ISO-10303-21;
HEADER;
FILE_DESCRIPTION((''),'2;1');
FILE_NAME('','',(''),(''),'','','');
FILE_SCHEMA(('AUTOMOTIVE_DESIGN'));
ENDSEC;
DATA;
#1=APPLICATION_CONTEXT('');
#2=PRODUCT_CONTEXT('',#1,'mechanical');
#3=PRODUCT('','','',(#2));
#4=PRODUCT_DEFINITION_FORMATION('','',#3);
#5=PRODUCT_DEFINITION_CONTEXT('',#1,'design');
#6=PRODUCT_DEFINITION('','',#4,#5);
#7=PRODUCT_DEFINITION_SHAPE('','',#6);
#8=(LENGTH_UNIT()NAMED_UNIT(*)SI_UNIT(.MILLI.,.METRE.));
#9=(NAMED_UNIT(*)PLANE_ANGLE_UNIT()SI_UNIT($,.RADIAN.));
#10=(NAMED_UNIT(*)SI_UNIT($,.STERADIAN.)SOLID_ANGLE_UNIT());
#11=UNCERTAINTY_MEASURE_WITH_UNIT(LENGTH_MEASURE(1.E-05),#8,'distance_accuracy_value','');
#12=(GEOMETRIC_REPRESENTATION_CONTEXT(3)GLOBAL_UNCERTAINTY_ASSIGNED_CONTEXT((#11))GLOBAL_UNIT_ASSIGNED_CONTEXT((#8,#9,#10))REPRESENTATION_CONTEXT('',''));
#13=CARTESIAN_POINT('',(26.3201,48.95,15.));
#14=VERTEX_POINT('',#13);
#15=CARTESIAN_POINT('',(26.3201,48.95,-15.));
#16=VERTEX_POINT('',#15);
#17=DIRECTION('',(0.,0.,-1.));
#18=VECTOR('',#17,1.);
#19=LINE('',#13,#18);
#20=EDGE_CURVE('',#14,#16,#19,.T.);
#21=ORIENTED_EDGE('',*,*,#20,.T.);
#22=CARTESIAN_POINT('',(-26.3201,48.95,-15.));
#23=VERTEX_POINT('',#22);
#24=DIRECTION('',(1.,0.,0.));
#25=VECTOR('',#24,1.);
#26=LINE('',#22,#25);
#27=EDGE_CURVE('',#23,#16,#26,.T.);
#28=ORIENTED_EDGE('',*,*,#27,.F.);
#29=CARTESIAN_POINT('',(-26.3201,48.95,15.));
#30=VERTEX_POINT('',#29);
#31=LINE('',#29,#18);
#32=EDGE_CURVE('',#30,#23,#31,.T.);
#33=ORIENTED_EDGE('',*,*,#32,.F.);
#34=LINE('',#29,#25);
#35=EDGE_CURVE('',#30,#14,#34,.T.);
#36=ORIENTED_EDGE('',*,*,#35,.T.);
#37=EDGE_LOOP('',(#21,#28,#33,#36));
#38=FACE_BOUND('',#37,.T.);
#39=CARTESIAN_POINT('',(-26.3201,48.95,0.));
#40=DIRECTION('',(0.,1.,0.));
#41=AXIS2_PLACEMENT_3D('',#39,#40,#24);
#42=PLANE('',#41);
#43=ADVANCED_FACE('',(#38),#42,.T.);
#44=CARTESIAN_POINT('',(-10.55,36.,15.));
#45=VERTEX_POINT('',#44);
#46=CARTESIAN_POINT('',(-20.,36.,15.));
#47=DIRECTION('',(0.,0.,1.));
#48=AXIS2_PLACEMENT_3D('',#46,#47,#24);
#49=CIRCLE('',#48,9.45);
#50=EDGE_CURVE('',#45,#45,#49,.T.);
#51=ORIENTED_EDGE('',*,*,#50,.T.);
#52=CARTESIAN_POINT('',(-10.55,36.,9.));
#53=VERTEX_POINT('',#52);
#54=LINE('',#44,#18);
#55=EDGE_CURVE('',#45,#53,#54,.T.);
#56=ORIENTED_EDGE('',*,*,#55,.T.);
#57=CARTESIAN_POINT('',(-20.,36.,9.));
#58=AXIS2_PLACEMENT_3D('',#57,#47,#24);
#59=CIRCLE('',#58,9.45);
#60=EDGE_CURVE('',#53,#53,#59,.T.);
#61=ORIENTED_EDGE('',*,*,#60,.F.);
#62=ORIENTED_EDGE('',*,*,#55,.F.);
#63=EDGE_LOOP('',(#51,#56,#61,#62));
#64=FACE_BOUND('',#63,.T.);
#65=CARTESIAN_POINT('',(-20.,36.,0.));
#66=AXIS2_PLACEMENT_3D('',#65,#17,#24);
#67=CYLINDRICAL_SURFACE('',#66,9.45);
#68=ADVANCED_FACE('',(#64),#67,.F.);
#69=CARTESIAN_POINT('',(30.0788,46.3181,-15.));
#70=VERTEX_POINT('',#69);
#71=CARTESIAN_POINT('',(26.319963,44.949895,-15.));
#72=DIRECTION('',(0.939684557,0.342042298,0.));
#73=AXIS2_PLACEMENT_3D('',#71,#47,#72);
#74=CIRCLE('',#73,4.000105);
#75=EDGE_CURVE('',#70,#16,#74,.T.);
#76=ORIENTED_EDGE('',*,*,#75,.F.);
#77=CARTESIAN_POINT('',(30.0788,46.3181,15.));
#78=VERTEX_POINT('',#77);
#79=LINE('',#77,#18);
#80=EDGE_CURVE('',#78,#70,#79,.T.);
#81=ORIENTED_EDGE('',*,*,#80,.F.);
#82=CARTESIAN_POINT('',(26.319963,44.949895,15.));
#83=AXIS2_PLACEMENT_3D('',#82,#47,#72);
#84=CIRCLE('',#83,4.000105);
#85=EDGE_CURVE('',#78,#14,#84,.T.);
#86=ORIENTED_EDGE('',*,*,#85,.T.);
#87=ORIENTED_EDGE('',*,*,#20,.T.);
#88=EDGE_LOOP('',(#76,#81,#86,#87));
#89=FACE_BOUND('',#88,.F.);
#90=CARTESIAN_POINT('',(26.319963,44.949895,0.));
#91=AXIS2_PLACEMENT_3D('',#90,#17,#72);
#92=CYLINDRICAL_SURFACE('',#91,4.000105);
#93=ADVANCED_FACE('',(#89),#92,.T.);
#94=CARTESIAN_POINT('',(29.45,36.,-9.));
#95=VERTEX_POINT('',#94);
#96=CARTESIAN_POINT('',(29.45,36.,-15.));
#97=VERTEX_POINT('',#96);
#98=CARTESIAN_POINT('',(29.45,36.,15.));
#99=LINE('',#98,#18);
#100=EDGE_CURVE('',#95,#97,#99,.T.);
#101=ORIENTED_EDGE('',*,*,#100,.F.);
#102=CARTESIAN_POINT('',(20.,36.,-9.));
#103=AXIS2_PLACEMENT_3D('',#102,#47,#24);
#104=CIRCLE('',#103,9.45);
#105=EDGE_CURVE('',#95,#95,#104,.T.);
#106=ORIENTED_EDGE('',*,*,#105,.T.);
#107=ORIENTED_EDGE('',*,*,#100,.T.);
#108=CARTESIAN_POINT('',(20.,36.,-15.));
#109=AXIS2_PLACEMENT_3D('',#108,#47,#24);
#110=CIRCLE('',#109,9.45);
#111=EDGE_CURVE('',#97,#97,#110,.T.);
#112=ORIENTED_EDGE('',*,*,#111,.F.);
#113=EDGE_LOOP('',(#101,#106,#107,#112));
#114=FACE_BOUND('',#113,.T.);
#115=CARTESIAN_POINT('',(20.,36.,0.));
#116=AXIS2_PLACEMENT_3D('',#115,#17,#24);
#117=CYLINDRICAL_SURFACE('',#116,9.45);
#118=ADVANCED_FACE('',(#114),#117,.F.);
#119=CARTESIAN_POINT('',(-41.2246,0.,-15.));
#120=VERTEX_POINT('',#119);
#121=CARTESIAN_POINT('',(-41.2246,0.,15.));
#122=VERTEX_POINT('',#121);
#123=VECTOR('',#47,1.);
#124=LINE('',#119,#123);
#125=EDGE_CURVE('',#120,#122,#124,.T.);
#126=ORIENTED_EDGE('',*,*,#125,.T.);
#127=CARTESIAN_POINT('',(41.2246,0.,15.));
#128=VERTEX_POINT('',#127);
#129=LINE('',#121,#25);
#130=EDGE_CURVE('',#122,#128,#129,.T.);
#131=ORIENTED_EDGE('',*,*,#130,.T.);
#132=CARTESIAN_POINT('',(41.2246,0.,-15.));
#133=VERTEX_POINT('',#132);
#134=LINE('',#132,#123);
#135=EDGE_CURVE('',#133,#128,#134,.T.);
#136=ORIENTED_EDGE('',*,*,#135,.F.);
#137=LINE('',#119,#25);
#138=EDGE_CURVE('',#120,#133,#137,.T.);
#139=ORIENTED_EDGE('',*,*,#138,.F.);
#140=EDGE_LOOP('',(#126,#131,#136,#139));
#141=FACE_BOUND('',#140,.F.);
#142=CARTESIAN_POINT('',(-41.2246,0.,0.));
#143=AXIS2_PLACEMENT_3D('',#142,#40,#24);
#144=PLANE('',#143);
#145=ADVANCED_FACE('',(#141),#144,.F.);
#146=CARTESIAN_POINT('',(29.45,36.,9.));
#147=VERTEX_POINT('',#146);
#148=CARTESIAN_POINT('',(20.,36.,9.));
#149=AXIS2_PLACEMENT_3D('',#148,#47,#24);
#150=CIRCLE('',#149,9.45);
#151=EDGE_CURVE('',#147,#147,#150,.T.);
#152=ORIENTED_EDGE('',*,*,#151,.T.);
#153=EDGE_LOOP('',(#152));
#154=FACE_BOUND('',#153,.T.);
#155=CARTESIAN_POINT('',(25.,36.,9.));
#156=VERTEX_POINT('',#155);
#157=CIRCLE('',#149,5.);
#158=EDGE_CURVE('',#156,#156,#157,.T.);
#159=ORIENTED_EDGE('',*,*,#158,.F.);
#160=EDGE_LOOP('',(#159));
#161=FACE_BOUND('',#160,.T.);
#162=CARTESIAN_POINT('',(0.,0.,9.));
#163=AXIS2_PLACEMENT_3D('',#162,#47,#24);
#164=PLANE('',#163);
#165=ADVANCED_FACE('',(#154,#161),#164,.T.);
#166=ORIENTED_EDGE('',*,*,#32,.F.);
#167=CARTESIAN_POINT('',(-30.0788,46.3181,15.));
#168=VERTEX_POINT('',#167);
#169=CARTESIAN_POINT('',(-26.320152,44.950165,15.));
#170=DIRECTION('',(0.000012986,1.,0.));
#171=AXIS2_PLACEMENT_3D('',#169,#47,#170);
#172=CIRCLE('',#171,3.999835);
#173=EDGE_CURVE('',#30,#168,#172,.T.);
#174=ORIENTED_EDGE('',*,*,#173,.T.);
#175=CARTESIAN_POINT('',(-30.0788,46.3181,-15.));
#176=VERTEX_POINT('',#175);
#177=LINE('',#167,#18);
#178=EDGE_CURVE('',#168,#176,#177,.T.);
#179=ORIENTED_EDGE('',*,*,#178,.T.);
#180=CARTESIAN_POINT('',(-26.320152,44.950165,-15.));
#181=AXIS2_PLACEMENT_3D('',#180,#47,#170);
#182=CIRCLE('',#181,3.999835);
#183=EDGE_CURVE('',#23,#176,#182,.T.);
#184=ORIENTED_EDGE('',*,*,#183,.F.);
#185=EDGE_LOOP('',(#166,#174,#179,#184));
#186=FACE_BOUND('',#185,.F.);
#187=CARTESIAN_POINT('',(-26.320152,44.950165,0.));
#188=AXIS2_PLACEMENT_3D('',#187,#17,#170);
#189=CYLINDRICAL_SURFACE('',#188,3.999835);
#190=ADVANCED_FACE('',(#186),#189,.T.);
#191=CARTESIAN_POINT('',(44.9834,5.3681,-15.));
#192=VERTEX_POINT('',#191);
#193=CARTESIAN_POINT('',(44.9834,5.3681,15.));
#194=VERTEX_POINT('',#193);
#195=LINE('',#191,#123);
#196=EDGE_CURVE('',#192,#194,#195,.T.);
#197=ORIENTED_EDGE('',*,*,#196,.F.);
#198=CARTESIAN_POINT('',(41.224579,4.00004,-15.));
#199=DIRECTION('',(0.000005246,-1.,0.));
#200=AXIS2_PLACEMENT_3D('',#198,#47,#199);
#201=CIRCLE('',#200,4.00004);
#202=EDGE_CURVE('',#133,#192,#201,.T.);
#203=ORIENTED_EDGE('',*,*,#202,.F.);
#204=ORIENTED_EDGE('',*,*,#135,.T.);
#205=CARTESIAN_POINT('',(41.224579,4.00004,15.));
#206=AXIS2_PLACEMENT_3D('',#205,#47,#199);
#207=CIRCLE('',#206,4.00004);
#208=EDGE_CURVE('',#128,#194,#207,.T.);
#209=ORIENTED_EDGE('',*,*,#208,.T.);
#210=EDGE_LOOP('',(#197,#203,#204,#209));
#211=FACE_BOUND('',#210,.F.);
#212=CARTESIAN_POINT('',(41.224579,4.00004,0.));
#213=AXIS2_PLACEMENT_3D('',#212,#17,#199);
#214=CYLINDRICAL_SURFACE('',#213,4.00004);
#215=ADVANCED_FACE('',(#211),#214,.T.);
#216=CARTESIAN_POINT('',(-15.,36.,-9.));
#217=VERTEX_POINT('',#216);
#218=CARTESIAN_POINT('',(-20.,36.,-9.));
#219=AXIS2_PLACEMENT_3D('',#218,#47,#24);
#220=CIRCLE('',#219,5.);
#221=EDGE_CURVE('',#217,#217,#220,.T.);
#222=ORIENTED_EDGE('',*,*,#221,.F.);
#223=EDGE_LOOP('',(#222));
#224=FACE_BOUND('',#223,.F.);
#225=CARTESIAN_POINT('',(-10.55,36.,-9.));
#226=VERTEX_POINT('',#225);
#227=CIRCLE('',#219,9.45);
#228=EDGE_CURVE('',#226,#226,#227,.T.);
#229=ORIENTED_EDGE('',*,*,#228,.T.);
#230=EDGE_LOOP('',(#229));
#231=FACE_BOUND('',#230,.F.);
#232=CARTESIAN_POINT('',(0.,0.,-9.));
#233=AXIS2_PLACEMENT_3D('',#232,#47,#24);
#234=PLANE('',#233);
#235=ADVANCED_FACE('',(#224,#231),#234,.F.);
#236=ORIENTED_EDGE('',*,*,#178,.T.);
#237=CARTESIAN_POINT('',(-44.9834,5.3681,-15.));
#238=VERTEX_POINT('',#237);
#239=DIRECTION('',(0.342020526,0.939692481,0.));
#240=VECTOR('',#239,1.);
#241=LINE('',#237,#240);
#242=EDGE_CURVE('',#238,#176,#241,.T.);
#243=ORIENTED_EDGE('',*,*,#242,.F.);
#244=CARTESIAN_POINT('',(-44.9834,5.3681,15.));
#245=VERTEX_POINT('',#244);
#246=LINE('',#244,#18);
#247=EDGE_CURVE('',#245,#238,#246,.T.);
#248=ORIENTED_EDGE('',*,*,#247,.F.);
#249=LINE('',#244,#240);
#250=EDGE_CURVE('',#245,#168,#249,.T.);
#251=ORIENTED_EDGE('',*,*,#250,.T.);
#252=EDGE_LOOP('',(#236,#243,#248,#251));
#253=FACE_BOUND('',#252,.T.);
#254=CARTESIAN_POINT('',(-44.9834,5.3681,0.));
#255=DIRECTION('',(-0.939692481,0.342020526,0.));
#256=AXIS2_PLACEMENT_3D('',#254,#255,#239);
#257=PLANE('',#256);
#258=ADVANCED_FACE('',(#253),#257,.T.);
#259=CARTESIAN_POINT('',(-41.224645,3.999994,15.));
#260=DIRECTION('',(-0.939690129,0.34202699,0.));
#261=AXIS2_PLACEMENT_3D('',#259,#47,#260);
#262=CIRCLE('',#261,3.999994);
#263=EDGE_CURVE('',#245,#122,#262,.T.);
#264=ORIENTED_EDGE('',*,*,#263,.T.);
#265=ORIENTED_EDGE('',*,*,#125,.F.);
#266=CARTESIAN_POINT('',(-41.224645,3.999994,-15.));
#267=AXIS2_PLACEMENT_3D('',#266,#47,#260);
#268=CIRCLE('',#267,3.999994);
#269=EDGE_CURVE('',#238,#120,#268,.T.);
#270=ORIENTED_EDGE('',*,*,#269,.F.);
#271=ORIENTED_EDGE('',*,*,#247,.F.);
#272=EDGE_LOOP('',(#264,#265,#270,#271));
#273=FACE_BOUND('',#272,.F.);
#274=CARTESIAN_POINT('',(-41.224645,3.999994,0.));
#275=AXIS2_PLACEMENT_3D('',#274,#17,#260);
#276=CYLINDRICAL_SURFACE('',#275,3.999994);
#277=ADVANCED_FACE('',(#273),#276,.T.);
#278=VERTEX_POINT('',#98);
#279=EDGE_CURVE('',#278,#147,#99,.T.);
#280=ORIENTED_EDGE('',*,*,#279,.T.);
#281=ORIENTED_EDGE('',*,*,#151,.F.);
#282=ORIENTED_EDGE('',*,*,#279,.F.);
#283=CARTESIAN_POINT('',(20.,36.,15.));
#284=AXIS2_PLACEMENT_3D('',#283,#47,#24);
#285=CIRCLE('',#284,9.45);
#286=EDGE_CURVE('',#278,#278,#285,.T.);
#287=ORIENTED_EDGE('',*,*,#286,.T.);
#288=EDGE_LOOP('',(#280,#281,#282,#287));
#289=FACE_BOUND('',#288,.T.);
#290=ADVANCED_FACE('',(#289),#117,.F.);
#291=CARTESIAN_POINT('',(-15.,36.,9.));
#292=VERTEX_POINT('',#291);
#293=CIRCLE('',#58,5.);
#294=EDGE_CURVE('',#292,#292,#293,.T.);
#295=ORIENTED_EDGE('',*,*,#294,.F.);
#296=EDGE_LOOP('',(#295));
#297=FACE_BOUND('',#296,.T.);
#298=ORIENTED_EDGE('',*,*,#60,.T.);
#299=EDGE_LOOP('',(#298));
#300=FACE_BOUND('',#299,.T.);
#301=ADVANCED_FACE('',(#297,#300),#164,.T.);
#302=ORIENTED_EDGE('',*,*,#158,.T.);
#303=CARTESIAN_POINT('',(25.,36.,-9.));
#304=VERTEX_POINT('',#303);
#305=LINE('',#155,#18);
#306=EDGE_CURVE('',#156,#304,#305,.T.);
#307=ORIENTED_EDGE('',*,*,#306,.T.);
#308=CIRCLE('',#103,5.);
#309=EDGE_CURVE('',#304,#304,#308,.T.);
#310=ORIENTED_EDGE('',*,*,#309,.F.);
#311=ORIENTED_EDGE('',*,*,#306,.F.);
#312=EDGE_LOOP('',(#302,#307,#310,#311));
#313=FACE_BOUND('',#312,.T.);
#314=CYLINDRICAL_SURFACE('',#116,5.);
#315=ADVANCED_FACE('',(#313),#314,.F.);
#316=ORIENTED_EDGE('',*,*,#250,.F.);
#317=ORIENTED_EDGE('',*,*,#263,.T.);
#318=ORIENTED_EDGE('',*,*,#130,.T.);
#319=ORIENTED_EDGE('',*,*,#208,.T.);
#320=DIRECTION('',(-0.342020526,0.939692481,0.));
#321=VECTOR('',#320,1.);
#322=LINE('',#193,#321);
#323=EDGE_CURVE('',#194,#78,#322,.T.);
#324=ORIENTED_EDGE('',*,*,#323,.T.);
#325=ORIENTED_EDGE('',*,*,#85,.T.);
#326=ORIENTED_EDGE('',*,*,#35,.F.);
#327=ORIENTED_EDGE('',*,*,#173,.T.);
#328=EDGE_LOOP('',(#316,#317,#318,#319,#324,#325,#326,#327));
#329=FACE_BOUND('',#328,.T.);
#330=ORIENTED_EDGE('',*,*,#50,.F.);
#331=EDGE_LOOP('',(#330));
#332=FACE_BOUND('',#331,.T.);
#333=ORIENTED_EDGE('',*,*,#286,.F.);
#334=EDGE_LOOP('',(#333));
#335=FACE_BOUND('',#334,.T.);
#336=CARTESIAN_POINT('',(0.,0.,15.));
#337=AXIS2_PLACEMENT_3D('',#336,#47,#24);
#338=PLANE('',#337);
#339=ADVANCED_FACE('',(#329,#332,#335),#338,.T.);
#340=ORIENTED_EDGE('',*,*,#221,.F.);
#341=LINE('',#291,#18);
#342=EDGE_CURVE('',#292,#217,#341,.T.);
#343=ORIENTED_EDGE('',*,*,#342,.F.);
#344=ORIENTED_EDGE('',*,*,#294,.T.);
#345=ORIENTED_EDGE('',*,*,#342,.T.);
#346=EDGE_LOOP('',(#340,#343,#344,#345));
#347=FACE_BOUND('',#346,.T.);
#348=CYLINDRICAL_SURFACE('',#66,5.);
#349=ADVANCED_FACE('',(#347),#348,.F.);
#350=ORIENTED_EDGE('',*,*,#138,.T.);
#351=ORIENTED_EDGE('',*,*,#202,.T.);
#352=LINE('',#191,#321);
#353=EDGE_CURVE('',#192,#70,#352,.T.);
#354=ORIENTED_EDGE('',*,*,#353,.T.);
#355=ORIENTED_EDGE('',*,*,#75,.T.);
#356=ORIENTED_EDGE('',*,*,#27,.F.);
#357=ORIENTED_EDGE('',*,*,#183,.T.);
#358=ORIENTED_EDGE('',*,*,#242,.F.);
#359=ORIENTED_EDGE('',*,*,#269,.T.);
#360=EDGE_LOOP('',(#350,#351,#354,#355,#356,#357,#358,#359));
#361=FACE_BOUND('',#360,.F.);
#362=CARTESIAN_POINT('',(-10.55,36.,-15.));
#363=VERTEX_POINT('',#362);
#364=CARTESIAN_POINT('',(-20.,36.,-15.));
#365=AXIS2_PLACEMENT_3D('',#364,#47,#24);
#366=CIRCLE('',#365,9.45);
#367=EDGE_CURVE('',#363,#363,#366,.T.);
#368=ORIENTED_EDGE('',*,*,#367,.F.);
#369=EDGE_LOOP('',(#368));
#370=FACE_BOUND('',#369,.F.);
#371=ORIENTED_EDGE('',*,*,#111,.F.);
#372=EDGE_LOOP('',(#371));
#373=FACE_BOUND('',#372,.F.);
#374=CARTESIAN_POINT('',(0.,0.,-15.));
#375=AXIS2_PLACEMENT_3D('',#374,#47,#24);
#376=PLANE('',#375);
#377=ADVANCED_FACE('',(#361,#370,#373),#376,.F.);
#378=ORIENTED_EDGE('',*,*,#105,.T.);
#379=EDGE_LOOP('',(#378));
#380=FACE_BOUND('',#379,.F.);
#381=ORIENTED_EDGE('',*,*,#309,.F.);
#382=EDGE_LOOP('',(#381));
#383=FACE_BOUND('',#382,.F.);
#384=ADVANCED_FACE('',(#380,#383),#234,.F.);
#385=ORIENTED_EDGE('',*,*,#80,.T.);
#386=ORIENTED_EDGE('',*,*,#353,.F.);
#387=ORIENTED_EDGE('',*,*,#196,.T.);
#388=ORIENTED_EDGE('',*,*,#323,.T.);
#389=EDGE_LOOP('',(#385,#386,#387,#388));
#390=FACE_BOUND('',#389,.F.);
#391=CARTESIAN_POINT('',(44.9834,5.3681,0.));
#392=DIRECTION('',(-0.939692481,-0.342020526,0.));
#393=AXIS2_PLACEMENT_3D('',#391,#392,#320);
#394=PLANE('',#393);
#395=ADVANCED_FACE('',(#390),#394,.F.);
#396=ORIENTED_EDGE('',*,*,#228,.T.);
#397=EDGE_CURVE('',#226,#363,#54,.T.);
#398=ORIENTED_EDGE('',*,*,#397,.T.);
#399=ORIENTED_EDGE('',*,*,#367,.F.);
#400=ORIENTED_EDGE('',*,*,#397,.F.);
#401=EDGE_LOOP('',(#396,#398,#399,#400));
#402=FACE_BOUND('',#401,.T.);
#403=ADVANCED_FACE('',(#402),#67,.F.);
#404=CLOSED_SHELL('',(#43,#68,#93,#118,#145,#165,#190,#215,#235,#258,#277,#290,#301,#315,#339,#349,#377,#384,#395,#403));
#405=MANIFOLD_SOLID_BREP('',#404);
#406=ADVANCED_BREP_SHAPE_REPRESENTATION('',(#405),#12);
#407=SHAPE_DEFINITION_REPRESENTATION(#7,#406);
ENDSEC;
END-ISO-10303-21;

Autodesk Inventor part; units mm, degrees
ref_plane "YZ Plane" through (0, 0, 0) normal (1, 0, 0) x (0, 1, 0)
ref_plane "XZ Plane" through (0, 0, 0) normal (0, 1, 0) x (-1, 0, 0)
ref_plane "XY Plane" through (0, 0, 0) normal (0, 0, 1) x (1, 0, 0)
sketch "Sketch1" plane through (0, 0, 0) normal (0, 0, 1) x (1, 0, 0)
  line L0 (-41.2246, 0) -> (41.2246, 0)
  line L1 (-26.3201, 48.95) -> (26.3201, 48.95)
  circle A0 centre (-20, 36) radius 9.45
  line L2 (0, 48.95) -> (0, 0) construction
  circle A1 centre (-20, 36) radius 5
  circle A2 centre (20, 36) radius 9.45
  circle A3 centre (20, 36) radius 5
  arc A4 (-44.9834, 5.3681) -> (-41.2246, 0) centre (-41.2246, 4) ccw
  arc A5 (-26.3201, 48.95) -> (-30.0788, 46.3181) centre (-26.3201, 44.95) ccw
  line L3 (-44.9834, 5.3681) -> (-30.0788, 46.3181)
  arc A6 (41.2246, 0) -> (44.9834, 5.3681) centre (41.2246, 4) ccw
  arc A7 (30.0788, 46.3181) -> (26.3201, 48.95) centre (26.3201, 44.95) ccw
  line L4 (44.9834, 5.3681) -> (30.0788, 46.3181)
  dimension "d1" = 18.9
  dimension "d3" = 3.5
  dimension "d4" = 36
  dimension "d7" = 10
  dimension "d8" = 40
  dimension "d10" = 4
  dimension "d11" = 13
  dimension "d12" = 70
extrude "Extrusion1" add sketch "Sketch1" along normal mid plane 30 contours A4 L3 A5 L1 A7 L4 A6 L0
extrude "Extrusion2" add sketch "Sketch1" along normal mid plane 18 contours A0 | A2
properties part number "EngineMount"
